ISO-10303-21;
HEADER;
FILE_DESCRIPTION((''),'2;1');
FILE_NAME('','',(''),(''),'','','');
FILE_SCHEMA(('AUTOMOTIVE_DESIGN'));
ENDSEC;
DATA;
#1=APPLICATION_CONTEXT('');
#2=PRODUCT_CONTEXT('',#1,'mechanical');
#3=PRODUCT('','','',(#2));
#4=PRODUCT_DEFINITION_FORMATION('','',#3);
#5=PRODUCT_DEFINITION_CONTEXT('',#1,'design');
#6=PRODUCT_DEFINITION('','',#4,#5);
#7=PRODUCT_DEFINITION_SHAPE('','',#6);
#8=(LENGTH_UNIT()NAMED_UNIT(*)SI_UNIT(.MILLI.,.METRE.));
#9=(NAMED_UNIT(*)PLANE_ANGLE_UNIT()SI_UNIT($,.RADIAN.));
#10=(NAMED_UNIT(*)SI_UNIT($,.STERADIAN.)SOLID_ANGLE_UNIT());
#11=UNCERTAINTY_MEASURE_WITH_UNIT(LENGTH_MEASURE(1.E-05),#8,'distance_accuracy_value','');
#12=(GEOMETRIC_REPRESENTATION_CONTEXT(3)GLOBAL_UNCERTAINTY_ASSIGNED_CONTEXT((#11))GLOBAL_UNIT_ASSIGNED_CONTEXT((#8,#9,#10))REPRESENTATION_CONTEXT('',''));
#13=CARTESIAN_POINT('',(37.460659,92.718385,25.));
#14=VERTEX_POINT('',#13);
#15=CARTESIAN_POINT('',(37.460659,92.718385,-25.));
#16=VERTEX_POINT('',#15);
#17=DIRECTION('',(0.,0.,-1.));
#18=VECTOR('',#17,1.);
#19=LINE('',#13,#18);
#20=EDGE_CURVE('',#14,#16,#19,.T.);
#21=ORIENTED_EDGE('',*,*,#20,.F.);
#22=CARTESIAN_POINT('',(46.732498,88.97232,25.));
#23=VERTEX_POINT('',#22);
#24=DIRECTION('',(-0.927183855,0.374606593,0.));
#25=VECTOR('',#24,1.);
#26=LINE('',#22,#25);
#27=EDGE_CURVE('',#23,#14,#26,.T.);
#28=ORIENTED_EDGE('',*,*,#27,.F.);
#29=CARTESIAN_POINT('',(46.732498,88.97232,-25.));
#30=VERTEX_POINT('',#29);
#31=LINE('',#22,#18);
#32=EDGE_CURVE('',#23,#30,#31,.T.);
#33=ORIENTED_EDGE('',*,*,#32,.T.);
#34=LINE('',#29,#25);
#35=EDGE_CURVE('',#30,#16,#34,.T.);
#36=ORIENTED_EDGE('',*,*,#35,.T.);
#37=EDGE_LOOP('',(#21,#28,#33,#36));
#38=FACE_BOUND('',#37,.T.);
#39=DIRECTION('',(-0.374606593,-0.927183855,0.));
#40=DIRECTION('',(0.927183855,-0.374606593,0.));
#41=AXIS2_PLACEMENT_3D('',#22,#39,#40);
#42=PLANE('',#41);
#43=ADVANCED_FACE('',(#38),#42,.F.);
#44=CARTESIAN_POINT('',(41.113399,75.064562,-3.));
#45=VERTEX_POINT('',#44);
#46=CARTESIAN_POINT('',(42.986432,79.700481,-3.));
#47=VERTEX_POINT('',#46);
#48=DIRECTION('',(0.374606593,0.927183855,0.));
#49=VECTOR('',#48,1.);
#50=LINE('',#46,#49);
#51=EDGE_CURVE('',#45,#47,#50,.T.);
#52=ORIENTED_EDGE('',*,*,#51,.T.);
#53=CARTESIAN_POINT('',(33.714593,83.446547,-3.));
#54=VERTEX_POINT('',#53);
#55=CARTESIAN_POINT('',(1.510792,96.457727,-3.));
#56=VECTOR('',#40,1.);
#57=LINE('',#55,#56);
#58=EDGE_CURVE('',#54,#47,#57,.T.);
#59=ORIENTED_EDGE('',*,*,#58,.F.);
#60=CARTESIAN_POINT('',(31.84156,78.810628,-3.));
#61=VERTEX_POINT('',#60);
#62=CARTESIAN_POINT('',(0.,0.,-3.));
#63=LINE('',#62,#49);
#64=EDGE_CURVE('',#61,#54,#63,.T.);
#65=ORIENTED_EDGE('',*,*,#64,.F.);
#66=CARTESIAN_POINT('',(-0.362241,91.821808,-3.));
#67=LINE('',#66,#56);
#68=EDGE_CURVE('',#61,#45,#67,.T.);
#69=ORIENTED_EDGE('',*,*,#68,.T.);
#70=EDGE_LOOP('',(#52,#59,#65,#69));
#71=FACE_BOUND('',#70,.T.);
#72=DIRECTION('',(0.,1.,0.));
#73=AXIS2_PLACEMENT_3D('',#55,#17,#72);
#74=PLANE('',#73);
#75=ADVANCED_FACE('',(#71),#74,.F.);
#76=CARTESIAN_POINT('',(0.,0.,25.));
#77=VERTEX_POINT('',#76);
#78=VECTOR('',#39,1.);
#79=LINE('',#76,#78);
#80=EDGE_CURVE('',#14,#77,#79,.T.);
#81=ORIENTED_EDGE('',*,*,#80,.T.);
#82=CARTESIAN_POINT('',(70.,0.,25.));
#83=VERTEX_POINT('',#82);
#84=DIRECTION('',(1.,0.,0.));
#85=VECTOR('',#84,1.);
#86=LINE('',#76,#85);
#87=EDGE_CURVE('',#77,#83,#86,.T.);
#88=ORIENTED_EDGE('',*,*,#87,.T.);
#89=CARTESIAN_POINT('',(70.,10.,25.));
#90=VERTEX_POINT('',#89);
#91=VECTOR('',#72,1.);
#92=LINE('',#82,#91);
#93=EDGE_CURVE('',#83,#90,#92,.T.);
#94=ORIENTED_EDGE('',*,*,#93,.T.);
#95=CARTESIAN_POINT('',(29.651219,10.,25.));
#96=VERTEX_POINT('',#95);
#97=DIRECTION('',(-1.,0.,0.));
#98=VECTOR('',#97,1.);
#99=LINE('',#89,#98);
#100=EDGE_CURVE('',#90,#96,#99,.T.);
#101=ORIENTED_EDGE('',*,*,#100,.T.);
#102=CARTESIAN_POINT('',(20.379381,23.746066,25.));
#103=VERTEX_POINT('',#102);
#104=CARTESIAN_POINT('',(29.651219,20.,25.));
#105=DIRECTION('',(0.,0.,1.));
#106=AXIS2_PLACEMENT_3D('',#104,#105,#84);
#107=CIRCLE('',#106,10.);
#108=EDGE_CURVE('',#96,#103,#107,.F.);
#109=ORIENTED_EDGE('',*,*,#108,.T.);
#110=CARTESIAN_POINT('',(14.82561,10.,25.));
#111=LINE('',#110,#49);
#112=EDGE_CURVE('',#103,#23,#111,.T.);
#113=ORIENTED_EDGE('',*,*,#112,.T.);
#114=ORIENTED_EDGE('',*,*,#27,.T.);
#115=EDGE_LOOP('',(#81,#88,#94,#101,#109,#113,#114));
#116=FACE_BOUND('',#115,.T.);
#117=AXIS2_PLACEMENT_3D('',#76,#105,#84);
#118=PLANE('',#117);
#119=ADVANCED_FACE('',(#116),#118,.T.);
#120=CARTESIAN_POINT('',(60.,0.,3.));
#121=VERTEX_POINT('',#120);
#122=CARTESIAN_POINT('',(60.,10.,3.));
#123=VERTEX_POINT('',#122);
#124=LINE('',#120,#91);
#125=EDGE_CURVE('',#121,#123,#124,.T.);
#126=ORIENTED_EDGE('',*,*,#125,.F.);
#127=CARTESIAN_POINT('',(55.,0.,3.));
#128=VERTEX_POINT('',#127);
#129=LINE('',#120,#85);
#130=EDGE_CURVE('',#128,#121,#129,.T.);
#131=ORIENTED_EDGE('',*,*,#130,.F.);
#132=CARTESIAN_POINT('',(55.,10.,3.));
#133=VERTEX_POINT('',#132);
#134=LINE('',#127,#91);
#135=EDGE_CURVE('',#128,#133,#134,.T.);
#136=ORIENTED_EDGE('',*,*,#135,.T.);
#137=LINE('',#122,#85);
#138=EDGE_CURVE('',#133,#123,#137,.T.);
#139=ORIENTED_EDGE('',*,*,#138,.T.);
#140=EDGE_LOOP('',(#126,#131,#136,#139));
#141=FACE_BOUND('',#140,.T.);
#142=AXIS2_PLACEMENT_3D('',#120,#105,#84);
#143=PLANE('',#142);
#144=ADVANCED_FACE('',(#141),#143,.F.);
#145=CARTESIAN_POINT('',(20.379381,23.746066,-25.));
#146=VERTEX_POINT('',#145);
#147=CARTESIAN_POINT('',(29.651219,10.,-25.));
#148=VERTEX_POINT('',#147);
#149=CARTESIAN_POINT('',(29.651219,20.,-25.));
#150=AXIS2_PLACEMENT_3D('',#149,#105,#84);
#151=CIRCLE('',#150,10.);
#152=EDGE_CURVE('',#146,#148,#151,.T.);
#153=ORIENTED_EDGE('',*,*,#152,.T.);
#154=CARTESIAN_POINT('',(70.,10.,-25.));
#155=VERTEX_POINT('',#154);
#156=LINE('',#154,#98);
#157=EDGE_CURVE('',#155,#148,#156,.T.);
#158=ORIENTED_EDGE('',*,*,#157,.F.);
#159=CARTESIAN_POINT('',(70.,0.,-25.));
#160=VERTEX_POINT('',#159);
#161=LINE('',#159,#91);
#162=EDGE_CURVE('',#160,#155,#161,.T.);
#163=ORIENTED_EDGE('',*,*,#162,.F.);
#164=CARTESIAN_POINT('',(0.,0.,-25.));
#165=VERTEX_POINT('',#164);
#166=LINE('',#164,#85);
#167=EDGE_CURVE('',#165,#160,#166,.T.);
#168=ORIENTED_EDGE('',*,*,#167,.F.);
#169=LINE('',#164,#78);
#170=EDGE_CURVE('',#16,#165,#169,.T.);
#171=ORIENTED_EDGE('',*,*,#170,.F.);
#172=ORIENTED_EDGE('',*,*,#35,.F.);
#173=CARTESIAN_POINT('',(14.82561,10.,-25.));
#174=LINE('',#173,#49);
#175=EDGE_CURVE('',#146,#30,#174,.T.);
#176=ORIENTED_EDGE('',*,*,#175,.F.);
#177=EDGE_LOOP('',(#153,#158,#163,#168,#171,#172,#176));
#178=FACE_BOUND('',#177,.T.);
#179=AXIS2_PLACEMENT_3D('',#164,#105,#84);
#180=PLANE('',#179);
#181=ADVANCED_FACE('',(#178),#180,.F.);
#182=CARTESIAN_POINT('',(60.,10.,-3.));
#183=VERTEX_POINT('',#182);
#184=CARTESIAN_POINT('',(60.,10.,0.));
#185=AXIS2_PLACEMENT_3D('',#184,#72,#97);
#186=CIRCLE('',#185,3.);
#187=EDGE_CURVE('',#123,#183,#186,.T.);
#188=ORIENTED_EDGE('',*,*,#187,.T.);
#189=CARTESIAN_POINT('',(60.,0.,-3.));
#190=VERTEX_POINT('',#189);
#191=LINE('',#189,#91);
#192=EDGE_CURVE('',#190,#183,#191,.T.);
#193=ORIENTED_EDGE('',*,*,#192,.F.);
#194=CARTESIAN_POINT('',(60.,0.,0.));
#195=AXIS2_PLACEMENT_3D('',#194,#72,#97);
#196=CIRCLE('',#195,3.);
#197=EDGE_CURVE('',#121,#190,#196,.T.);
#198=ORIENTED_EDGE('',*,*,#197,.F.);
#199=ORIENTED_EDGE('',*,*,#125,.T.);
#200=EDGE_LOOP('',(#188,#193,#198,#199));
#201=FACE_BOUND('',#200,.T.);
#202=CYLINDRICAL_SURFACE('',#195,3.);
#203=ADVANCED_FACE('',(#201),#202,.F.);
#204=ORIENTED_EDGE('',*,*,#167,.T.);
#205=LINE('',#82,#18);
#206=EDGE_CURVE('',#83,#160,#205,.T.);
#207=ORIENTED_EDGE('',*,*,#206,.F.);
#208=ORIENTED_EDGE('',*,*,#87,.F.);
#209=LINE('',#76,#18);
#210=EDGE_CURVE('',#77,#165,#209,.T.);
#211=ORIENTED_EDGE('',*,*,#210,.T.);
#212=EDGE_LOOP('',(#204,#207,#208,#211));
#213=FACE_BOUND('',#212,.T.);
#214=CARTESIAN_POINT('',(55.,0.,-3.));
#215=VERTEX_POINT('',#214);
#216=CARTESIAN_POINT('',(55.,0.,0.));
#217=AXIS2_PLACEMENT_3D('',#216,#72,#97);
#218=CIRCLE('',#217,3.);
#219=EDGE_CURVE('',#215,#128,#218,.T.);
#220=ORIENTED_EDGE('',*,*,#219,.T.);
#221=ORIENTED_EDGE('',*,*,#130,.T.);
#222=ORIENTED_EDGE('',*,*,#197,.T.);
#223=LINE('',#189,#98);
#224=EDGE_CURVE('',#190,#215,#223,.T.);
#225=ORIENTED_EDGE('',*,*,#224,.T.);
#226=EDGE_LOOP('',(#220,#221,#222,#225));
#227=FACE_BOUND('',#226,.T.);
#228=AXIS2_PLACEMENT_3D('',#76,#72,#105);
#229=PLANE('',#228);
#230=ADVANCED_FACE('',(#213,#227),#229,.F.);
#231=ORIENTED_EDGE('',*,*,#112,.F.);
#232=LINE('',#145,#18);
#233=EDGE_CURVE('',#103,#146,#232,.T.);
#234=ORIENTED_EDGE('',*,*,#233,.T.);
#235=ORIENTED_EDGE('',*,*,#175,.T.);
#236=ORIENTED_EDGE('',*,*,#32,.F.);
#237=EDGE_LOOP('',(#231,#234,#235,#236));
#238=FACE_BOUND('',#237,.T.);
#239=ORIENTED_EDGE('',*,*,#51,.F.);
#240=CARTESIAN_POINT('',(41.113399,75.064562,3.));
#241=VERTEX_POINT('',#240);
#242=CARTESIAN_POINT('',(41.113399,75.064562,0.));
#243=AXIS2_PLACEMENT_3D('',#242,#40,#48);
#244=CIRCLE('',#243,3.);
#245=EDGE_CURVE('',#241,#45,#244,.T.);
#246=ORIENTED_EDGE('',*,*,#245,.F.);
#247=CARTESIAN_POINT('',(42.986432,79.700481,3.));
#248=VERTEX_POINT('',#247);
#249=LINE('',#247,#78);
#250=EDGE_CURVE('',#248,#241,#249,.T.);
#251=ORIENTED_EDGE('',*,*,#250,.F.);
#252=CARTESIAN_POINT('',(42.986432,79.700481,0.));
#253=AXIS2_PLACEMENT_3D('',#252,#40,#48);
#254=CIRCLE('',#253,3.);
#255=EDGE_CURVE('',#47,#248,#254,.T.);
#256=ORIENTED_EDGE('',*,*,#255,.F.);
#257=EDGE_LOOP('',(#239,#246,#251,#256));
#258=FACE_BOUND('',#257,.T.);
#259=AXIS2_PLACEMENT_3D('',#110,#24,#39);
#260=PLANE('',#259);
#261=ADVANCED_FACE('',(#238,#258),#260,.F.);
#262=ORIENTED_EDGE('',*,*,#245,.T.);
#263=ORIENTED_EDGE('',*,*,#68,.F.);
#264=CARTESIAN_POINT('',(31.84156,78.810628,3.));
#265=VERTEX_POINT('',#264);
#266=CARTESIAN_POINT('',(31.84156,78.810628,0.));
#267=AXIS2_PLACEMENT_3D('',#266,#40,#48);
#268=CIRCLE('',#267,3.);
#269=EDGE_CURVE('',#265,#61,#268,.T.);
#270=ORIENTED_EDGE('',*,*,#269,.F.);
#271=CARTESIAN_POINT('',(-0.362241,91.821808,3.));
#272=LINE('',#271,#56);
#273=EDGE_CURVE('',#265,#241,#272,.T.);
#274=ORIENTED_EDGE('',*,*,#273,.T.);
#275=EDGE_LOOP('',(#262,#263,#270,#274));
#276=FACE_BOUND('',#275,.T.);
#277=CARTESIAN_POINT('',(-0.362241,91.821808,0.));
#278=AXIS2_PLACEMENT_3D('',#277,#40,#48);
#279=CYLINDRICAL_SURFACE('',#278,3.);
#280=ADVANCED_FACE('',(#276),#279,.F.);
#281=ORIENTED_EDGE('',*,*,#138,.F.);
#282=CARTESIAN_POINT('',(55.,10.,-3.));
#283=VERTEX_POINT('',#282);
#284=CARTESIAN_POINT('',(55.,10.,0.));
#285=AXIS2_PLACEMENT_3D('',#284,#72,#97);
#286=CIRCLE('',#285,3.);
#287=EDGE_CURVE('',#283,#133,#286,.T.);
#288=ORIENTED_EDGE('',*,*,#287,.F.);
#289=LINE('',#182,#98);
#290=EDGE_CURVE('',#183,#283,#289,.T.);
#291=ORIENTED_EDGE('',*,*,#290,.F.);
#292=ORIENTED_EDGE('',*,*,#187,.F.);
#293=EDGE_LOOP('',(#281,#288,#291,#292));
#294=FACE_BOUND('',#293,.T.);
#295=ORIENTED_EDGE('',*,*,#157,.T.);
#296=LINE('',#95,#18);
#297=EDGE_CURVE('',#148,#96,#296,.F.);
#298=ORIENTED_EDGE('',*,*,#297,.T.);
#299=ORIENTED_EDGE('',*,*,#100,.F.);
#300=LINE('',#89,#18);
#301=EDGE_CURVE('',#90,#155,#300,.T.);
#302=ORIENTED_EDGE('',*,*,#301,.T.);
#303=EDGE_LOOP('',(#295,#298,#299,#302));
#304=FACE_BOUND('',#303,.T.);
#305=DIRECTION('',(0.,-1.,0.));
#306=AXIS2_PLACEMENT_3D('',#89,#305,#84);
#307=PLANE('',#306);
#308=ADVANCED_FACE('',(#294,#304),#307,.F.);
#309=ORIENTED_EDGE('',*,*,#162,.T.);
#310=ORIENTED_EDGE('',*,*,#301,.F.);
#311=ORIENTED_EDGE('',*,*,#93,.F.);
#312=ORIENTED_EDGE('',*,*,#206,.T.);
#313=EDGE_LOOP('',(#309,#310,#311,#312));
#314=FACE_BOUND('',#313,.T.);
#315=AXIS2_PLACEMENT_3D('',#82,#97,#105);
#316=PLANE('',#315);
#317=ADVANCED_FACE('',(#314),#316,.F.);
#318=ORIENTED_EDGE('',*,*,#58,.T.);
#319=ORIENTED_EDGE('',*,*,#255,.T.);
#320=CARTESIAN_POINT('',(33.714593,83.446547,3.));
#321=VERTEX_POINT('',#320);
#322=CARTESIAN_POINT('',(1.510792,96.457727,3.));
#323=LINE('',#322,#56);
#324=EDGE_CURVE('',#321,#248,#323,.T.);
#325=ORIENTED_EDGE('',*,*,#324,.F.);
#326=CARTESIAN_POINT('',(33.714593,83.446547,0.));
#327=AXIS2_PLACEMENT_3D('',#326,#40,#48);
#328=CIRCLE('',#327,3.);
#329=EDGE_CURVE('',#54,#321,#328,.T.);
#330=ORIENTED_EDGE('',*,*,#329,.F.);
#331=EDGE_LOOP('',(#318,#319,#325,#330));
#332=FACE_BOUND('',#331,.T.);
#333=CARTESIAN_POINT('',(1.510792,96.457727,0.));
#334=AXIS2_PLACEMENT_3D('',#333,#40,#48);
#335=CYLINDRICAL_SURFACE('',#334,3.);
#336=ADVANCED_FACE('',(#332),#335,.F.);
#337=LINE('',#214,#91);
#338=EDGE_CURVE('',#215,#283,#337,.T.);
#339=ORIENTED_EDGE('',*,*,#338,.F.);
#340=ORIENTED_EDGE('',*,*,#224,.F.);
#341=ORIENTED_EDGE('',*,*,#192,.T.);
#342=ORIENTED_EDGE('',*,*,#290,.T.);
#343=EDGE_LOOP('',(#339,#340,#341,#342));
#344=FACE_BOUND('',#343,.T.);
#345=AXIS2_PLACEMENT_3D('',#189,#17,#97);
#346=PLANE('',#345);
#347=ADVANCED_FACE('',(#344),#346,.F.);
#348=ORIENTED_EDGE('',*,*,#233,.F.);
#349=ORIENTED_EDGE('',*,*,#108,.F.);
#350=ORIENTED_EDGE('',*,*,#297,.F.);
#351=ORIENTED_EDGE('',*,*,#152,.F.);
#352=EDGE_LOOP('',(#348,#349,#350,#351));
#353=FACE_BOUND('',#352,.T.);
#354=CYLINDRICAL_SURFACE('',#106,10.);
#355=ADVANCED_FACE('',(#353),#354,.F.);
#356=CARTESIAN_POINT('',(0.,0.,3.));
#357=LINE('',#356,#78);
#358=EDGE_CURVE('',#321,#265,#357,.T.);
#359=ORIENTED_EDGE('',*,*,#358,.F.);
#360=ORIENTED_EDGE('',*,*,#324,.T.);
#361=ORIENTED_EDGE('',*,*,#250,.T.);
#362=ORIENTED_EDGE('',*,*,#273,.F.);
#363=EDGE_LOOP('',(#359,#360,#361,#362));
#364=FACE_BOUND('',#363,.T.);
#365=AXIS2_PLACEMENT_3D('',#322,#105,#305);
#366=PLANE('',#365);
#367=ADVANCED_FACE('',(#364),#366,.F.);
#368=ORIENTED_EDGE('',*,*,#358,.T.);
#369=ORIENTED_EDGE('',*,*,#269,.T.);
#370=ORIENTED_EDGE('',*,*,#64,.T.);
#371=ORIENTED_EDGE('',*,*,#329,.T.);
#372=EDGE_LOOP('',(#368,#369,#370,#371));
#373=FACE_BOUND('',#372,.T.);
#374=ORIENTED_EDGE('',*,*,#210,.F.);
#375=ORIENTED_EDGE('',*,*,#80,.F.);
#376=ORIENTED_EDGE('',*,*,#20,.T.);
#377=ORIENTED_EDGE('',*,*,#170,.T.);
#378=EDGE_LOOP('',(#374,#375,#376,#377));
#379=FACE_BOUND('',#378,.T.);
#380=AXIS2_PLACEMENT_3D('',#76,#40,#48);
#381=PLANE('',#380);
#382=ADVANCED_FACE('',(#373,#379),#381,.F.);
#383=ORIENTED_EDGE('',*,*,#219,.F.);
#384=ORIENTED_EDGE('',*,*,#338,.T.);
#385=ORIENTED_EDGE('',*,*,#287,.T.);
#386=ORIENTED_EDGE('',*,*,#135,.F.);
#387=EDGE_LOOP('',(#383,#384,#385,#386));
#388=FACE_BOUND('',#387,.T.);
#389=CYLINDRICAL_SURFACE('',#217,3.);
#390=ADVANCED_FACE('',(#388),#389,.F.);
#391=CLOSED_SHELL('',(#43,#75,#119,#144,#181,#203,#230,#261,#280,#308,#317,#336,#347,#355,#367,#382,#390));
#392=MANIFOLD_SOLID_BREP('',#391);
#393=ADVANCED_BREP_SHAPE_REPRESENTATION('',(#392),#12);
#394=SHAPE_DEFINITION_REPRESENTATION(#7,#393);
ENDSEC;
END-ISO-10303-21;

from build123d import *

# Parameters (mm, degrees)
BOSS_EXTRUDE1_DEPTH = 25
CUT_EXTRUDE1_DEPTH  = 112.208503688
CUT_EXTRUDE2_DEPTH  = 117.69747202
FILLET2_R           = 10


with BuildPart() as part:
    # Sketch1 → Boss-Extrude1 (new, symmetric)
    with BuildSketch(Plane.XY):
        Polygon((0, 0), (37.460659342, 92.718385457), (46.732497887, 88.972319523), (14.825609685, 10), (70, 10), (70, 0), align=None)
    extrude(amount=BOSS_EXTRUDE1_DEPTH, both=True)

    # Sketch2 → Cut-Extrude1 (cut, through all)
    with BuildSketch(Plane(origin=(0, 10, 0), x_dir=(1, 0, 0), z_dir=(0, 1, 0))):
        with BuildLine():
            Line((60, -3), (55, -3))
            ThreePointArc((55, -3), (52, 0), (55, 3))
            Line((55, 3), (60, 3))
            ThreePointArc((60, 3), (63, 0), (60, -3))
        make_face()
    extrude(amount=-CUT_EXTRUDE1_DEPTH, mode=Mode.SUBTRACT)

    # Sketch3 → Cut-Extrude2 (cut, through all)
    with BuildSketch(Plane(origin=(9.271838546, -3.746065934, 0), x_dir=(0, 0, -1), z_dir=(0.9271838545667856, -0.3746065934159163, 0))):
        with BuildLine():
            Line((3, 90), (3, 85))
            ThreePointArc((3, 85), (0, 82), (-3, 85))
            Line((-3, 85), (-3, 90))
            ThreePointArc((-3, 90), (0, 93), (3, 90))
        make_face()
    extrude(amount=-CUT_EXTRUDE2_DEPTH, mode=Mode.SUBTRACT)

    # Fillet2
    fillet2_edges = [part.edges().sort_by_distance(p)[0] for p in [
        (14.825609685, 10, 0),
    ]]
    fillet(fillet2_edges, radius=FILLET2_R)


solid = part.part
